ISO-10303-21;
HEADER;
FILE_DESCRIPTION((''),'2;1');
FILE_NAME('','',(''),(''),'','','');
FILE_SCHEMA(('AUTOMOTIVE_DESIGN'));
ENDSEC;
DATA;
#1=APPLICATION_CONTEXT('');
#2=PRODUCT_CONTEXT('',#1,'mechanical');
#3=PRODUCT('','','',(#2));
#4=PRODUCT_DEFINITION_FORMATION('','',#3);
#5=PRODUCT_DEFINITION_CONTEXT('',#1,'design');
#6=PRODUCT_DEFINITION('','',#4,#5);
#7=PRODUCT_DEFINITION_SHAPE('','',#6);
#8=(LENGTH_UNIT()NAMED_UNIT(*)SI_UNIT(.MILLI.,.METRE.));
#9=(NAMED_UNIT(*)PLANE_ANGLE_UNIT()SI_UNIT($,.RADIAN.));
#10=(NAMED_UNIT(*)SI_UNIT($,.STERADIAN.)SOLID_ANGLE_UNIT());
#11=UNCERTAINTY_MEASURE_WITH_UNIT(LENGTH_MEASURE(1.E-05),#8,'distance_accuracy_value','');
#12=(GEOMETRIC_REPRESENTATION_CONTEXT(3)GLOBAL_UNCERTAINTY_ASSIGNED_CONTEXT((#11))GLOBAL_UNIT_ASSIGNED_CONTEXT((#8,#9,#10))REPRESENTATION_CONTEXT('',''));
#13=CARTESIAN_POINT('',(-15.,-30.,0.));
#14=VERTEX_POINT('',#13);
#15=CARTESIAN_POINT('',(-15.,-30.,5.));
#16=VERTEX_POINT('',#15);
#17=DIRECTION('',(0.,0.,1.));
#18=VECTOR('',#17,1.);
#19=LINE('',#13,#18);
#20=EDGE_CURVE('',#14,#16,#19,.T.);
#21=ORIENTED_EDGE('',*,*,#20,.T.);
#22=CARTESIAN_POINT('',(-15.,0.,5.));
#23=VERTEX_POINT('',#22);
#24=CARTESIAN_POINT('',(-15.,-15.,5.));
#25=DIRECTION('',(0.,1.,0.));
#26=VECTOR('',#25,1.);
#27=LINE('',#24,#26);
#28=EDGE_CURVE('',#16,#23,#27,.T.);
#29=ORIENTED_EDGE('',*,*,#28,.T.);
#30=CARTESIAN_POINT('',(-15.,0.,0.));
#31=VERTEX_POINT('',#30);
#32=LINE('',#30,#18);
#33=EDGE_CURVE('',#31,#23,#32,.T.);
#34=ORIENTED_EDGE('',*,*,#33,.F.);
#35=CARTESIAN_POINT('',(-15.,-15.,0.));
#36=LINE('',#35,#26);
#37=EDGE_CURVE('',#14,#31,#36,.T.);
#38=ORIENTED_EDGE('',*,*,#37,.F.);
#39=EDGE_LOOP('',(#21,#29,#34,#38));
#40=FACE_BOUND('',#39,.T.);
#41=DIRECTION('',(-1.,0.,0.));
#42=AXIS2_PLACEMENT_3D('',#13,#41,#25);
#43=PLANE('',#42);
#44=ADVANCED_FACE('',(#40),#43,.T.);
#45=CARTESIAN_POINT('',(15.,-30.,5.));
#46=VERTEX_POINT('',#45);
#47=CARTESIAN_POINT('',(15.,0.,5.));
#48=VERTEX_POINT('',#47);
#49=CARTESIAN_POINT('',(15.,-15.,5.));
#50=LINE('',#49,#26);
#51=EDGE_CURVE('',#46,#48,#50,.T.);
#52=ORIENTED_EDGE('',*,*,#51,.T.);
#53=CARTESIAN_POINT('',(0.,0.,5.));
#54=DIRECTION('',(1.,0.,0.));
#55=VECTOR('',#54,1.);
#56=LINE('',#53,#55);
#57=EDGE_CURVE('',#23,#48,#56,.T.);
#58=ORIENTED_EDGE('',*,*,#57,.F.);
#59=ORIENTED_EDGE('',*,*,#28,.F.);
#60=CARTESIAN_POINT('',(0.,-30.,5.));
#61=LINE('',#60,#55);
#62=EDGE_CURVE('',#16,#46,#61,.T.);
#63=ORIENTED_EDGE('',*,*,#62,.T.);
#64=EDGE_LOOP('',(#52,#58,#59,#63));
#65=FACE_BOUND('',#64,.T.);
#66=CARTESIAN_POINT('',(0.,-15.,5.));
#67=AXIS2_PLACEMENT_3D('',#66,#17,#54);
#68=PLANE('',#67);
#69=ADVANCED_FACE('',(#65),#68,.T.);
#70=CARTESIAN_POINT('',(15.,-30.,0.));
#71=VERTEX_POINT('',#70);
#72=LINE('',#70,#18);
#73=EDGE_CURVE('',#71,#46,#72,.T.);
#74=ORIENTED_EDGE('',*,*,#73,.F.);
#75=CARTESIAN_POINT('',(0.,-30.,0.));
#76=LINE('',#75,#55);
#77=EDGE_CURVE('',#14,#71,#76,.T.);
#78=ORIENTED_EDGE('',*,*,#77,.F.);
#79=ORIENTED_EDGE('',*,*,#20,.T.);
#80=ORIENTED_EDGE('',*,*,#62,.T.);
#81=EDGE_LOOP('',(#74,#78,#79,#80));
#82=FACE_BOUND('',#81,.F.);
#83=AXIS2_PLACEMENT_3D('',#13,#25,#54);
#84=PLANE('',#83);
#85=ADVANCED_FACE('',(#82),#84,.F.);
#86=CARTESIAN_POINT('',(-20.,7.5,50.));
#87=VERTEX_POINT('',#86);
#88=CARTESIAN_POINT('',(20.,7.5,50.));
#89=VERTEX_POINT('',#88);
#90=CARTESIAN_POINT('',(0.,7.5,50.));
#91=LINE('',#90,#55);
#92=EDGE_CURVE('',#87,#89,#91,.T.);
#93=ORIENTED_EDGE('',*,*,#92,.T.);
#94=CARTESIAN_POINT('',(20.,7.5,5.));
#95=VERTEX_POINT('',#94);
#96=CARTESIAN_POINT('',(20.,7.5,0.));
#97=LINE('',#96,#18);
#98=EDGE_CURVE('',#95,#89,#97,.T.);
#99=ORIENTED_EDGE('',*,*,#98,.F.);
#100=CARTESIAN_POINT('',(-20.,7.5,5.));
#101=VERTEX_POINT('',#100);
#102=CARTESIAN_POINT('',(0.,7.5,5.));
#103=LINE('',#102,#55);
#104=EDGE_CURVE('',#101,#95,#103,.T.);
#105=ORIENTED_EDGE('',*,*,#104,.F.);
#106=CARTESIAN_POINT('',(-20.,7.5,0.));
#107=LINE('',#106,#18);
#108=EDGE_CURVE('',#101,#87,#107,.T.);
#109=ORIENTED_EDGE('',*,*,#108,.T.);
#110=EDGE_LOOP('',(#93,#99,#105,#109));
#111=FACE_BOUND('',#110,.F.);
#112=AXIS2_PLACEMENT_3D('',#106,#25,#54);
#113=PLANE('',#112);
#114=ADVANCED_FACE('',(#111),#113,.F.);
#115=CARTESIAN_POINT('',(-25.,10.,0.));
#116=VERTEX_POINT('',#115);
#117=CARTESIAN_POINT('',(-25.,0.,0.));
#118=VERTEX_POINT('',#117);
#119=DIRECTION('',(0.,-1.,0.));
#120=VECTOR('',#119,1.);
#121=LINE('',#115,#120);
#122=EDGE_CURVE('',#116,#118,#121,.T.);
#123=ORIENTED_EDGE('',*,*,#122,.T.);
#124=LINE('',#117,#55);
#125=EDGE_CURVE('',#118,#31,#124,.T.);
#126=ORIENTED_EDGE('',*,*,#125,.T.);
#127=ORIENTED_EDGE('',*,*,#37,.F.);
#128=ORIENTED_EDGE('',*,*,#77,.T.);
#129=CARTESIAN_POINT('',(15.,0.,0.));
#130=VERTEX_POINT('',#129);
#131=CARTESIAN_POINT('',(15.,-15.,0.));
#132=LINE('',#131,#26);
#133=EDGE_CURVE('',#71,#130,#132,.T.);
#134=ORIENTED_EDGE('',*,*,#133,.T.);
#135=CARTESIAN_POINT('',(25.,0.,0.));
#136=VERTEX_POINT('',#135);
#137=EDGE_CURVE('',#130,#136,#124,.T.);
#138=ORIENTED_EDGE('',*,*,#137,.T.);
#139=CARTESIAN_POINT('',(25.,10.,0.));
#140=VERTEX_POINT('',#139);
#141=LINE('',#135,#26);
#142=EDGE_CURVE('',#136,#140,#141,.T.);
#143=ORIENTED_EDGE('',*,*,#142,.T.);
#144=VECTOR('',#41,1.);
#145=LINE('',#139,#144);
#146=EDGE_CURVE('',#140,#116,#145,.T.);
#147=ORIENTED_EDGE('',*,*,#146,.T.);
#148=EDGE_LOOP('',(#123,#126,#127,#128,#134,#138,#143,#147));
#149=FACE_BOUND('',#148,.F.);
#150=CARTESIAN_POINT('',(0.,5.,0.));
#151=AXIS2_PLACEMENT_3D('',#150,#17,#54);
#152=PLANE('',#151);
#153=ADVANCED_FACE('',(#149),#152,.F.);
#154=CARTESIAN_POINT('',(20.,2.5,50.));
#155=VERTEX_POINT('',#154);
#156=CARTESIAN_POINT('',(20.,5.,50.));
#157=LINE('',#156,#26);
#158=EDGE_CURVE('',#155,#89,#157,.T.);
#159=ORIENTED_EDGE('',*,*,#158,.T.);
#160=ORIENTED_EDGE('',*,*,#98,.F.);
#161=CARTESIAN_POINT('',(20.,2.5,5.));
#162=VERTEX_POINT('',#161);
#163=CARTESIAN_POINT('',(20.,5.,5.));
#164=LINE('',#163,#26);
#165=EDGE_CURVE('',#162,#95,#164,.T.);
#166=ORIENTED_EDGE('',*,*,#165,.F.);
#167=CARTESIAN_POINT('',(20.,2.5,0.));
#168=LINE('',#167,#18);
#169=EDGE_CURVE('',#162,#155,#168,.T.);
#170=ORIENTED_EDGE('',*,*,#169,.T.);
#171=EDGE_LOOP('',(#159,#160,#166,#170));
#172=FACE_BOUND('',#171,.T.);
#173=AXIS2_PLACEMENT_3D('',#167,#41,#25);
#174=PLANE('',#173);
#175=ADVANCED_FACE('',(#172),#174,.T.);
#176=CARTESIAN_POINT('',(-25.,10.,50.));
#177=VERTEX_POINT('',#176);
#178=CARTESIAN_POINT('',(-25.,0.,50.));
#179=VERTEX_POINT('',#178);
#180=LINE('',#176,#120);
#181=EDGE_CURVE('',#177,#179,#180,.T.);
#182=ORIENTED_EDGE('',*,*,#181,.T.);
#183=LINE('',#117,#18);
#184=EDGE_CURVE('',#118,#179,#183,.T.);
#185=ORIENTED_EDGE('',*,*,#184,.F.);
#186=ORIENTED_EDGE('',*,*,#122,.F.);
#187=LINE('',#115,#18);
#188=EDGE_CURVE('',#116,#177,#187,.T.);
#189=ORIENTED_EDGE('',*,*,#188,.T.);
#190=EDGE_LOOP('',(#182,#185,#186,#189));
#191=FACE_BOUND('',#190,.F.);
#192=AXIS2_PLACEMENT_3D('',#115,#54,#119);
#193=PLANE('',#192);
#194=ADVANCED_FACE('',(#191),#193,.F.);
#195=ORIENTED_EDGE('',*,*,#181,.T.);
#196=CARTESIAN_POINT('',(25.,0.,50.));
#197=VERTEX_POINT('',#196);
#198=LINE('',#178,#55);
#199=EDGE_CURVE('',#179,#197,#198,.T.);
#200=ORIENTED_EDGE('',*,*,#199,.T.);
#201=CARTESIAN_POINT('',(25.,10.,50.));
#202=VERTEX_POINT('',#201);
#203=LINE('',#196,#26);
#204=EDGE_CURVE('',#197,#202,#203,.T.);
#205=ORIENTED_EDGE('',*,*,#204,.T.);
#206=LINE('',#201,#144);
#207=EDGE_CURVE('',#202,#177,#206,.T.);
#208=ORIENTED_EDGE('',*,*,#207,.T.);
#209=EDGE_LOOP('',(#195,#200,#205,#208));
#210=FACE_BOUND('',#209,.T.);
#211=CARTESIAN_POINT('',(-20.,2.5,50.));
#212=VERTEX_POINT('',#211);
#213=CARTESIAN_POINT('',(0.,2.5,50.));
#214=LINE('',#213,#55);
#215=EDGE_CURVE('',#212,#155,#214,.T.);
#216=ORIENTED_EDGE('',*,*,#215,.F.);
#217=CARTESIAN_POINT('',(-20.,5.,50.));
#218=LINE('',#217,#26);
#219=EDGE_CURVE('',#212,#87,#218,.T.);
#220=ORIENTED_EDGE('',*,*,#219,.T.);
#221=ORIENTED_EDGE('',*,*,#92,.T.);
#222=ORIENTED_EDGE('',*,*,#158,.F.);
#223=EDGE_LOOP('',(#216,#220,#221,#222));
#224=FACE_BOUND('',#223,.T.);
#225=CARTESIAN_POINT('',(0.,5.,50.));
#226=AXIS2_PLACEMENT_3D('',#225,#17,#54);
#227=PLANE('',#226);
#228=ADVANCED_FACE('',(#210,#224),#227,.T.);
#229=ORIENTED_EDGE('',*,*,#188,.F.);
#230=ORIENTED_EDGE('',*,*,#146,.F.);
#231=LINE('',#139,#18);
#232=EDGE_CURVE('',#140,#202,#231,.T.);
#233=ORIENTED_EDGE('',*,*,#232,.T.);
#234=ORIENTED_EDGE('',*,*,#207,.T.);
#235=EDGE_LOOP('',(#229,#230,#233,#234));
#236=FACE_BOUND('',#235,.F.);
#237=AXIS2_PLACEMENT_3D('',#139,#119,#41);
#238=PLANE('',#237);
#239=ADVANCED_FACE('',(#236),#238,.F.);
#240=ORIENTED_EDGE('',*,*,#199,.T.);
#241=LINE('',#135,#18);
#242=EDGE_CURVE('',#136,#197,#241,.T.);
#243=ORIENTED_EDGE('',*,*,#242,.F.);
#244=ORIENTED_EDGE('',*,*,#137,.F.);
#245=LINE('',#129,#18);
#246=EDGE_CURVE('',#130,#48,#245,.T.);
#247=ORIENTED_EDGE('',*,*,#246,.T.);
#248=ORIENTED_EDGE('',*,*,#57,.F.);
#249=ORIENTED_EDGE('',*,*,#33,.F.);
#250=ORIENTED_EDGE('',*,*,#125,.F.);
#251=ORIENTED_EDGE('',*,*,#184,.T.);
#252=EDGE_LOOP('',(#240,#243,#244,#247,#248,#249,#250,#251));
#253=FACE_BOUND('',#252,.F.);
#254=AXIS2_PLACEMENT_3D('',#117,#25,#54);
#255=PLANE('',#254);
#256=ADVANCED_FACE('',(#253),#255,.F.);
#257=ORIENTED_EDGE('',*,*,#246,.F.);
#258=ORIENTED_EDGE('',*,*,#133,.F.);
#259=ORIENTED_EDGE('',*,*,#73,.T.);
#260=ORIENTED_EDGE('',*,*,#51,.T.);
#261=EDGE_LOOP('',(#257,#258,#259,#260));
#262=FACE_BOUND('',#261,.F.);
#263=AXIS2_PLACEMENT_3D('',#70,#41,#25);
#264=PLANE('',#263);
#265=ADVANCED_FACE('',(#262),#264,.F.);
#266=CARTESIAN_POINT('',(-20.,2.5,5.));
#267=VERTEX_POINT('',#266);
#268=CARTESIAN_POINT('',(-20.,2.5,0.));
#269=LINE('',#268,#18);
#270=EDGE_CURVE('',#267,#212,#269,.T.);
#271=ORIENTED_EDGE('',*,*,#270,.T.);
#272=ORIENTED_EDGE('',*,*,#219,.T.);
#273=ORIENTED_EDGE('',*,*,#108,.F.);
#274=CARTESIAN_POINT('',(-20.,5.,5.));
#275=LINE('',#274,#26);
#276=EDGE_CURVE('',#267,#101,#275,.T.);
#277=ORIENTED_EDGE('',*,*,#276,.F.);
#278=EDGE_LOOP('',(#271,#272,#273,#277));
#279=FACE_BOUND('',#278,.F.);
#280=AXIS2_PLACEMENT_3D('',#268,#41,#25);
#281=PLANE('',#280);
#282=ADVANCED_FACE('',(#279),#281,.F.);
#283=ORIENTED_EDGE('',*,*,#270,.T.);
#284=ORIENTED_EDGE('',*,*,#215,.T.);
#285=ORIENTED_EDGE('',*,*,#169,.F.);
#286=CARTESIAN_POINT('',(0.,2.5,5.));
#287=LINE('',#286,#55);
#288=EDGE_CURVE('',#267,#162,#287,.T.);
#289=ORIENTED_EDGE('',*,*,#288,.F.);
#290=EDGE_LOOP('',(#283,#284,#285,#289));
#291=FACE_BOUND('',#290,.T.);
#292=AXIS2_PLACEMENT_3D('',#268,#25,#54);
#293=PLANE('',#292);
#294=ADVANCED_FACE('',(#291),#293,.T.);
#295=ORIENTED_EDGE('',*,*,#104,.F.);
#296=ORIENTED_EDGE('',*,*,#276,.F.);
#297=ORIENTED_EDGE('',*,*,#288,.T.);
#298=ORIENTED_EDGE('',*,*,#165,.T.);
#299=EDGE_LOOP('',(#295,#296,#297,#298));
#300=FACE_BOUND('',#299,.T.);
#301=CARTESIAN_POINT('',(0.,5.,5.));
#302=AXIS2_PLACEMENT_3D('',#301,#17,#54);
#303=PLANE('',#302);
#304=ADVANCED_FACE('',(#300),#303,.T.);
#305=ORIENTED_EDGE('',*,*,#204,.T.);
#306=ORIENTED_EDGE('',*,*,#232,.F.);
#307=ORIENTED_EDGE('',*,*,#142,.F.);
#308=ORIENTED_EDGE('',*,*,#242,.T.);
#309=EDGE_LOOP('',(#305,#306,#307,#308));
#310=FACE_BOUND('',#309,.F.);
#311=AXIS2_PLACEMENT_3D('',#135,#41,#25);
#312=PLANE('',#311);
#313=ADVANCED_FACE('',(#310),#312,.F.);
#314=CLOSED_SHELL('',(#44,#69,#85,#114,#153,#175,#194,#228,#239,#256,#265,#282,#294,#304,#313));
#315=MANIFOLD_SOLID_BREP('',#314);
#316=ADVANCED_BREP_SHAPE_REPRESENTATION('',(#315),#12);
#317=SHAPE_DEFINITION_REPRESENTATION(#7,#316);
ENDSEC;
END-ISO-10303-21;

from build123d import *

# Parameters (mm, degrees)
F0_W     = 40
F0_H     = 5
F1_DEPTH = 50
F0_W_2   = 30
F0_H_2   = 30
F2_DEPTH = 5


with BuildPart() as f1:
    # F0 (on Top) → F1 (new body)
    with BuildSketch(Plane.XY):
        Polygon((25, 10), (-25, 10), (-25, 0), (-15, 0), (15, 0), (25, 0), align=None)
        with Locations((0, 5)):
            Rectangle(F0_W, F0_H, mode=Mode.SUBTRACT)
    extrude(amount=F1_DEPTH)

    # F0 (on Top) → F2 (join)
    with BuildSketch(Plane.XY):
        with Locations((0, -15)):
            Rectangle(F0_W_2, F0_H_2)
        with Locations((0, 5)):
            Rectangle(F0_W, F0_H)
    extrude(amount=F2_DEPTH)


solid = f1.part
